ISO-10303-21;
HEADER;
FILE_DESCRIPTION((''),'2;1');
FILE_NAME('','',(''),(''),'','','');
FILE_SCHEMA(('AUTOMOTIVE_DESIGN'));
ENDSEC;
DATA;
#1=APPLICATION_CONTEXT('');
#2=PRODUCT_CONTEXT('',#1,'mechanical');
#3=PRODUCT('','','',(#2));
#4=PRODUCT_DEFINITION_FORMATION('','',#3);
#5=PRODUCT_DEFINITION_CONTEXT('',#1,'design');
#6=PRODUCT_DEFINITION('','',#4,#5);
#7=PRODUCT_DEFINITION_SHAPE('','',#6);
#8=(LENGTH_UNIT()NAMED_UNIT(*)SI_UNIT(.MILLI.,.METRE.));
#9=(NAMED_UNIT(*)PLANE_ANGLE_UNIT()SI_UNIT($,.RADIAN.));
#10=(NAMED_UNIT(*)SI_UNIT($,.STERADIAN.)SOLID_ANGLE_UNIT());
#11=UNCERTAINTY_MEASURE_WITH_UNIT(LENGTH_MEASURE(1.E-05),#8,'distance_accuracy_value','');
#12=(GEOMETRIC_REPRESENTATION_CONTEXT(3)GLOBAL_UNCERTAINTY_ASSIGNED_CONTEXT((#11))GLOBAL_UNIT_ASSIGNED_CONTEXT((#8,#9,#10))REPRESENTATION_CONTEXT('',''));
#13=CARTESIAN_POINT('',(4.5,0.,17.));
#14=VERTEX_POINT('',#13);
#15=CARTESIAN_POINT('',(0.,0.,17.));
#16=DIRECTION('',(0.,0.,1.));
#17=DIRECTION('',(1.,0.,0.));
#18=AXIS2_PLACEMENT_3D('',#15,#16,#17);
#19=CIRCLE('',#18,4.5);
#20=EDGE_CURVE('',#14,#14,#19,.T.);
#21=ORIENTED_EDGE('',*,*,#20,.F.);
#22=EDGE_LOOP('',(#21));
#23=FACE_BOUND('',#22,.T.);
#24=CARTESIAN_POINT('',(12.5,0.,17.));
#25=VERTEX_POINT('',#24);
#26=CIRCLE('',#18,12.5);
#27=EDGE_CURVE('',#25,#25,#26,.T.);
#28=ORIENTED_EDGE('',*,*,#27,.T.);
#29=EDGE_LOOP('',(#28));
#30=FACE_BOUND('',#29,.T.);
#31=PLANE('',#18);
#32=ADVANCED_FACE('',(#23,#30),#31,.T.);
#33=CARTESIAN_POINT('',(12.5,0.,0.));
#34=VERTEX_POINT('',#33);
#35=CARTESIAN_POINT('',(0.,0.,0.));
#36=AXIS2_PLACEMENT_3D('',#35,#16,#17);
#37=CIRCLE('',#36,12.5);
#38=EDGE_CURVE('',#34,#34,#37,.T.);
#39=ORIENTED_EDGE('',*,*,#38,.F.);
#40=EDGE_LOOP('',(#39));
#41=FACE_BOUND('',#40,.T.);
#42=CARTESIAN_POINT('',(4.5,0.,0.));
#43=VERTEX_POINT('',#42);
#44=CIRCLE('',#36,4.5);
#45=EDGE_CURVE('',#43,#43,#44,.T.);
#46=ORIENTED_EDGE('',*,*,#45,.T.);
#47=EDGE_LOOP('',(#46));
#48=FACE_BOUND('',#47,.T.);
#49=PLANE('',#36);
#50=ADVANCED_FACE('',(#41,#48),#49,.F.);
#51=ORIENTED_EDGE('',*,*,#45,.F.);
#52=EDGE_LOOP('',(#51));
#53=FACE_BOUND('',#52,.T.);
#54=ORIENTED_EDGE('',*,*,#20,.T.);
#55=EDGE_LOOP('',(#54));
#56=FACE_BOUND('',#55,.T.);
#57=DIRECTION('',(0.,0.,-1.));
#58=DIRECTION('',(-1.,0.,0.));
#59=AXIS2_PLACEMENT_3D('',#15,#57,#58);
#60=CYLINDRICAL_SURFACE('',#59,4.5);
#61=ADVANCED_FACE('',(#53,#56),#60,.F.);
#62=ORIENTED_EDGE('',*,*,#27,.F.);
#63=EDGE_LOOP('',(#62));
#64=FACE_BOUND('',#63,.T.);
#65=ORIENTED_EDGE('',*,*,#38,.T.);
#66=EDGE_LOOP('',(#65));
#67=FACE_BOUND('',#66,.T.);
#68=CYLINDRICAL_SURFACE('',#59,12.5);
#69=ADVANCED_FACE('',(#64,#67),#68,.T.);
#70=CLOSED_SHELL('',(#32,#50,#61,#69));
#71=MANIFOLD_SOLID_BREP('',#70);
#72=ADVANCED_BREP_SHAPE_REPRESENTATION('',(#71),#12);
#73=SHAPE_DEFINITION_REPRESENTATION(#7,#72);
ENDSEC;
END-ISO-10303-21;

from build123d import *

# Parameters (mm, degrees)
ESBO_O1_R                = 12.5
ESBO_O1_R_2              = 4.5
RESSALTO_EXTRUS_O1_DEPTH = 17


with BuildPart() as part:
    # Esboço1 → Ressalto-extrusão1 (new body)
    with BuildSketch(Plane.XY):
        Circle(ESBO_O1_R)
        Circle(ESBO_O1_R_2, mode=Mode.SUBTRACT)
    extrude(amount=RESSALTO_EXTRUS_O1_DEPTH)


solid = part.part
